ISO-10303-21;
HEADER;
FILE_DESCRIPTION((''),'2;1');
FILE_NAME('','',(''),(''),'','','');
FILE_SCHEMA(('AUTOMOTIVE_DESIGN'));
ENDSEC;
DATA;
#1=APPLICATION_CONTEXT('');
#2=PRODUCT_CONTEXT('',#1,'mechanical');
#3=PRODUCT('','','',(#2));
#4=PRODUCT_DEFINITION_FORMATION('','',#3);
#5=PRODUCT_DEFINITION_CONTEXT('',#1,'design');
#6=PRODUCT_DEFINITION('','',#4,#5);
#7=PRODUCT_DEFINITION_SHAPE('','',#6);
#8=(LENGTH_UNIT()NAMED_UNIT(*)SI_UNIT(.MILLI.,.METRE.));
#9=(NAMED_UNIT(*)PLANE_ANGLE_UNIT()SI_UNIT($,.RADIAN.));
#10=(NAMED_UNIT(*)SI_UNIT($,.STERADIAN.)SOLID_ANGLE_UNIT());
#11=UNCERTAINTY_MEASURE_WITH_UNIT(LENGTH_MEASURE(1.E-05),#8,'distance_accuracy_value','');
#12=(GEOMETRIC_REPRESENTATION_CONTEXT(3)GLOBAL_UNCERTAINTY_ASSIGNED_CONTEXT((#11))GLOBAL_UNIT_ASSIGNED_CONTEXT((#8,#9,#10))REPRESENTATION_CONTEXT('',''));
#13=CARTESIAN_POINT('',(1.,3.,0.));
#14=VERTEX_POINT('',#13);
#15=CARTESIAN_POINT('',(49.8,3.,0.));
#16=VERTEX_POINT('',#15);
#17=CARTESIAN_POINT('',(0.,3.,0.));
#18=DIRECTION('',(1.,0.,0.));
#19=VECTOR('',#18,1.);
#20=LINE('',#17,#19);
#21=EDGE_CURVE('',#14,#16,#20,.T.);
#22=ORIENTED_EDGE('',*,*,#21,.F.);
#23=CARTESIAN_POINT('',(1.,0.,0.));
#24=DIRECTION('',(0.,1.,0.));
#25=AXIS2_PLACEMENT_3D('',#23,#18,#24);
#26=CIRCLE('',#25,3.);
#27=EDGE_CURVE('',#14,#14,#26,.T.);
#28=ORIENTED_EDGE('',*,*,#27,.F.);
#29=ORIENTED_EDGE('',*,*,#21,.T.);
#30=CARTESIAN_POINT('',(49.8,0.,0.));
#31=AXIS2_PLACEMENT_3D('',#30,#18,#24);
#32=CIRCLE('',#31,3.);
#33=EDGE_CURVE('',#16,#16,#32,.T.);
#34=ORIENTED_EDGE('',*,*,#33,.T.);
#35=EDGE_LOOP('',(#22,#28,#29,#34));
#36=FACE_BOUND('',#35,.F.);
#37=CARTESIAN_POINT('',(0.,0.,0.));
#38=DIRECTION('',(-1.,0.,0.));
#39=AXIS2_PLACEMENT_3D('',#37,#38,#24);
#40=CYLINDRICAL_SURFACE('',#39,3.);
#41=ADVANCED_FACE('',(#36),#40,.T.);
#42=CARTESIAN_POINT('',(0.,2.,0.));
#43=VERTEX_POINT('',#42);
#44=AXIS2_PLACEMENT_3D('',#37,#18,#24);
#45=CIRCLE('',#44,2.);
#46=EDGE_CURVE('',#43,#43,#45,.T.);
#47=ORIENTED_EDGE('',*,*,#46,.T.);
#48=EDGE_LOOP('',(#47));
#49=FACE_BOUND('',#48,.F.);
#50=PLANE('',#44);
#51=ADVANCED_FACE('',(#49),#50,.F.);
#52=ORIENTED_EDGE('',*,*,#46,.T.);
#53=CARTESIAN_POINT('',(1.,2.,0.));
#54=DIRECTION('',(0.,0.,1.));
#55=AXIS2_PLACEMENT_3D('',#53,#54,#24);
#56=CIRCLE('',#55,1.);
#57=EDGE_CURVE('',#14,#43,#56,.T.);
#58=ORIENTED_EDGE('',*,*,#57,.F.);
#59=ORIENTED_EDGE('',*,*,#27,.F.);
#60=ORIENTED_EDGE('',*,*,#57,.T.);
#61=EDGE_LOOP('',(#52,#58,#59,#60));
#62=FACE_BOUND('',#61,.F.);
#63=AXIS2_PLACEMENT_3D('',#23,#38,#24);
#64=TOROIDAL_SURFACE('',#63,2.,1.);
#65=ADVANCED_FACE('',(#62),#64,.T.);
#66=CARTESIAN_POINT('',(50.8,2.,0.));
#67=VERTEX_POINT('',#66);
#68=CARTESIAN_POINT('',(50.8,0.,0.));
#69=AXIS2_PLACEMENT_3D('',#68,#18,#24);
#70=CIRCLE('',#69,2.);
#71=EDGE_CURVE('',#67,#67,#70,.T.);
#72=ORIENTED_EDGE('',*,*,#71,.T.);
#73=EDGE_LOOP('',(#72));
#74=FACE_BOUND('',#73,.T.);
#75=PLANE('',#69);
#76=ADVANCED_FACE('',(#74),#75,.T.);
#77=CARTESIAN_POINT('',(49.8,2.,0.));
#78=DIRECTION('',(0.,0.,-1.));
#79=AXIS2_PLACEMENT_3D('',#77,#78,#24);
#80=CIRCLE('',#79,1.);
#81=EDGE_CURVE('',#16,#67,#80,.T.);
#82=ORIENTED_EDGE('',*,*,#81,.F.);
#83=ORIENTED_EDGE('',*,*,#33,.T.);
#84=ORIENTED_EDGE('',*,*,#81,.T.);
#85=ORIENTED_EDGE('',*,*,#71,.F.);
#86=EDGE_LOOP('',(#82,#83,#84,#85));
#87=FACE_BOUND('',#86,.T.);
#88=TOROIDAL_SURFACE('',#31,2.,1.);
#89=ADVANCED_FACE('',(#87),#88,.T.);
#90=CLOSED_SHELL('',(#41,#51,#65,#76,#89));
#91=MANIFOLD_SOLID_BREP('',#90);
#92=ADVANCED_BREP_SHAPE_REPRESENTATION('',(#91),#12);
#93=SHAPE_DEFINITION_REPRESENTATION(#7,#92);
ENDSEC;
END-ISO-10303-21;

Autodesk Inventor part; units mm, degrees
ref_plane "YZ Plane" through (0, 0, 0) normal (1, 0, 0) x (0, 1, 0)
ref_plane "XZ Plane" through (0, 0, 0) normal (0, 1, 0) x (-1, 0, 0)
ref_plane "XY Plane" through (0, 0, 0) normal (0, 0, 1) x (1, 0, 0)
sketch "Sketch1" plane through (0, 0, 0) normal (1, 0, 0) x (0, 1, 0)
  circle A0 centre (0, 0) radius 3
  dimension "d0" = 6
extrude "Extrusion1" add sketch "Sketch1" along normal blind 50.8
fillet "Fillet1" radius 1 1 edges at (50.8, -3, 0)
fillet "Fillet2" radius 1 1 edges at (0, -3, 0)
properties part number "axle small" material "Stainless Steel"
